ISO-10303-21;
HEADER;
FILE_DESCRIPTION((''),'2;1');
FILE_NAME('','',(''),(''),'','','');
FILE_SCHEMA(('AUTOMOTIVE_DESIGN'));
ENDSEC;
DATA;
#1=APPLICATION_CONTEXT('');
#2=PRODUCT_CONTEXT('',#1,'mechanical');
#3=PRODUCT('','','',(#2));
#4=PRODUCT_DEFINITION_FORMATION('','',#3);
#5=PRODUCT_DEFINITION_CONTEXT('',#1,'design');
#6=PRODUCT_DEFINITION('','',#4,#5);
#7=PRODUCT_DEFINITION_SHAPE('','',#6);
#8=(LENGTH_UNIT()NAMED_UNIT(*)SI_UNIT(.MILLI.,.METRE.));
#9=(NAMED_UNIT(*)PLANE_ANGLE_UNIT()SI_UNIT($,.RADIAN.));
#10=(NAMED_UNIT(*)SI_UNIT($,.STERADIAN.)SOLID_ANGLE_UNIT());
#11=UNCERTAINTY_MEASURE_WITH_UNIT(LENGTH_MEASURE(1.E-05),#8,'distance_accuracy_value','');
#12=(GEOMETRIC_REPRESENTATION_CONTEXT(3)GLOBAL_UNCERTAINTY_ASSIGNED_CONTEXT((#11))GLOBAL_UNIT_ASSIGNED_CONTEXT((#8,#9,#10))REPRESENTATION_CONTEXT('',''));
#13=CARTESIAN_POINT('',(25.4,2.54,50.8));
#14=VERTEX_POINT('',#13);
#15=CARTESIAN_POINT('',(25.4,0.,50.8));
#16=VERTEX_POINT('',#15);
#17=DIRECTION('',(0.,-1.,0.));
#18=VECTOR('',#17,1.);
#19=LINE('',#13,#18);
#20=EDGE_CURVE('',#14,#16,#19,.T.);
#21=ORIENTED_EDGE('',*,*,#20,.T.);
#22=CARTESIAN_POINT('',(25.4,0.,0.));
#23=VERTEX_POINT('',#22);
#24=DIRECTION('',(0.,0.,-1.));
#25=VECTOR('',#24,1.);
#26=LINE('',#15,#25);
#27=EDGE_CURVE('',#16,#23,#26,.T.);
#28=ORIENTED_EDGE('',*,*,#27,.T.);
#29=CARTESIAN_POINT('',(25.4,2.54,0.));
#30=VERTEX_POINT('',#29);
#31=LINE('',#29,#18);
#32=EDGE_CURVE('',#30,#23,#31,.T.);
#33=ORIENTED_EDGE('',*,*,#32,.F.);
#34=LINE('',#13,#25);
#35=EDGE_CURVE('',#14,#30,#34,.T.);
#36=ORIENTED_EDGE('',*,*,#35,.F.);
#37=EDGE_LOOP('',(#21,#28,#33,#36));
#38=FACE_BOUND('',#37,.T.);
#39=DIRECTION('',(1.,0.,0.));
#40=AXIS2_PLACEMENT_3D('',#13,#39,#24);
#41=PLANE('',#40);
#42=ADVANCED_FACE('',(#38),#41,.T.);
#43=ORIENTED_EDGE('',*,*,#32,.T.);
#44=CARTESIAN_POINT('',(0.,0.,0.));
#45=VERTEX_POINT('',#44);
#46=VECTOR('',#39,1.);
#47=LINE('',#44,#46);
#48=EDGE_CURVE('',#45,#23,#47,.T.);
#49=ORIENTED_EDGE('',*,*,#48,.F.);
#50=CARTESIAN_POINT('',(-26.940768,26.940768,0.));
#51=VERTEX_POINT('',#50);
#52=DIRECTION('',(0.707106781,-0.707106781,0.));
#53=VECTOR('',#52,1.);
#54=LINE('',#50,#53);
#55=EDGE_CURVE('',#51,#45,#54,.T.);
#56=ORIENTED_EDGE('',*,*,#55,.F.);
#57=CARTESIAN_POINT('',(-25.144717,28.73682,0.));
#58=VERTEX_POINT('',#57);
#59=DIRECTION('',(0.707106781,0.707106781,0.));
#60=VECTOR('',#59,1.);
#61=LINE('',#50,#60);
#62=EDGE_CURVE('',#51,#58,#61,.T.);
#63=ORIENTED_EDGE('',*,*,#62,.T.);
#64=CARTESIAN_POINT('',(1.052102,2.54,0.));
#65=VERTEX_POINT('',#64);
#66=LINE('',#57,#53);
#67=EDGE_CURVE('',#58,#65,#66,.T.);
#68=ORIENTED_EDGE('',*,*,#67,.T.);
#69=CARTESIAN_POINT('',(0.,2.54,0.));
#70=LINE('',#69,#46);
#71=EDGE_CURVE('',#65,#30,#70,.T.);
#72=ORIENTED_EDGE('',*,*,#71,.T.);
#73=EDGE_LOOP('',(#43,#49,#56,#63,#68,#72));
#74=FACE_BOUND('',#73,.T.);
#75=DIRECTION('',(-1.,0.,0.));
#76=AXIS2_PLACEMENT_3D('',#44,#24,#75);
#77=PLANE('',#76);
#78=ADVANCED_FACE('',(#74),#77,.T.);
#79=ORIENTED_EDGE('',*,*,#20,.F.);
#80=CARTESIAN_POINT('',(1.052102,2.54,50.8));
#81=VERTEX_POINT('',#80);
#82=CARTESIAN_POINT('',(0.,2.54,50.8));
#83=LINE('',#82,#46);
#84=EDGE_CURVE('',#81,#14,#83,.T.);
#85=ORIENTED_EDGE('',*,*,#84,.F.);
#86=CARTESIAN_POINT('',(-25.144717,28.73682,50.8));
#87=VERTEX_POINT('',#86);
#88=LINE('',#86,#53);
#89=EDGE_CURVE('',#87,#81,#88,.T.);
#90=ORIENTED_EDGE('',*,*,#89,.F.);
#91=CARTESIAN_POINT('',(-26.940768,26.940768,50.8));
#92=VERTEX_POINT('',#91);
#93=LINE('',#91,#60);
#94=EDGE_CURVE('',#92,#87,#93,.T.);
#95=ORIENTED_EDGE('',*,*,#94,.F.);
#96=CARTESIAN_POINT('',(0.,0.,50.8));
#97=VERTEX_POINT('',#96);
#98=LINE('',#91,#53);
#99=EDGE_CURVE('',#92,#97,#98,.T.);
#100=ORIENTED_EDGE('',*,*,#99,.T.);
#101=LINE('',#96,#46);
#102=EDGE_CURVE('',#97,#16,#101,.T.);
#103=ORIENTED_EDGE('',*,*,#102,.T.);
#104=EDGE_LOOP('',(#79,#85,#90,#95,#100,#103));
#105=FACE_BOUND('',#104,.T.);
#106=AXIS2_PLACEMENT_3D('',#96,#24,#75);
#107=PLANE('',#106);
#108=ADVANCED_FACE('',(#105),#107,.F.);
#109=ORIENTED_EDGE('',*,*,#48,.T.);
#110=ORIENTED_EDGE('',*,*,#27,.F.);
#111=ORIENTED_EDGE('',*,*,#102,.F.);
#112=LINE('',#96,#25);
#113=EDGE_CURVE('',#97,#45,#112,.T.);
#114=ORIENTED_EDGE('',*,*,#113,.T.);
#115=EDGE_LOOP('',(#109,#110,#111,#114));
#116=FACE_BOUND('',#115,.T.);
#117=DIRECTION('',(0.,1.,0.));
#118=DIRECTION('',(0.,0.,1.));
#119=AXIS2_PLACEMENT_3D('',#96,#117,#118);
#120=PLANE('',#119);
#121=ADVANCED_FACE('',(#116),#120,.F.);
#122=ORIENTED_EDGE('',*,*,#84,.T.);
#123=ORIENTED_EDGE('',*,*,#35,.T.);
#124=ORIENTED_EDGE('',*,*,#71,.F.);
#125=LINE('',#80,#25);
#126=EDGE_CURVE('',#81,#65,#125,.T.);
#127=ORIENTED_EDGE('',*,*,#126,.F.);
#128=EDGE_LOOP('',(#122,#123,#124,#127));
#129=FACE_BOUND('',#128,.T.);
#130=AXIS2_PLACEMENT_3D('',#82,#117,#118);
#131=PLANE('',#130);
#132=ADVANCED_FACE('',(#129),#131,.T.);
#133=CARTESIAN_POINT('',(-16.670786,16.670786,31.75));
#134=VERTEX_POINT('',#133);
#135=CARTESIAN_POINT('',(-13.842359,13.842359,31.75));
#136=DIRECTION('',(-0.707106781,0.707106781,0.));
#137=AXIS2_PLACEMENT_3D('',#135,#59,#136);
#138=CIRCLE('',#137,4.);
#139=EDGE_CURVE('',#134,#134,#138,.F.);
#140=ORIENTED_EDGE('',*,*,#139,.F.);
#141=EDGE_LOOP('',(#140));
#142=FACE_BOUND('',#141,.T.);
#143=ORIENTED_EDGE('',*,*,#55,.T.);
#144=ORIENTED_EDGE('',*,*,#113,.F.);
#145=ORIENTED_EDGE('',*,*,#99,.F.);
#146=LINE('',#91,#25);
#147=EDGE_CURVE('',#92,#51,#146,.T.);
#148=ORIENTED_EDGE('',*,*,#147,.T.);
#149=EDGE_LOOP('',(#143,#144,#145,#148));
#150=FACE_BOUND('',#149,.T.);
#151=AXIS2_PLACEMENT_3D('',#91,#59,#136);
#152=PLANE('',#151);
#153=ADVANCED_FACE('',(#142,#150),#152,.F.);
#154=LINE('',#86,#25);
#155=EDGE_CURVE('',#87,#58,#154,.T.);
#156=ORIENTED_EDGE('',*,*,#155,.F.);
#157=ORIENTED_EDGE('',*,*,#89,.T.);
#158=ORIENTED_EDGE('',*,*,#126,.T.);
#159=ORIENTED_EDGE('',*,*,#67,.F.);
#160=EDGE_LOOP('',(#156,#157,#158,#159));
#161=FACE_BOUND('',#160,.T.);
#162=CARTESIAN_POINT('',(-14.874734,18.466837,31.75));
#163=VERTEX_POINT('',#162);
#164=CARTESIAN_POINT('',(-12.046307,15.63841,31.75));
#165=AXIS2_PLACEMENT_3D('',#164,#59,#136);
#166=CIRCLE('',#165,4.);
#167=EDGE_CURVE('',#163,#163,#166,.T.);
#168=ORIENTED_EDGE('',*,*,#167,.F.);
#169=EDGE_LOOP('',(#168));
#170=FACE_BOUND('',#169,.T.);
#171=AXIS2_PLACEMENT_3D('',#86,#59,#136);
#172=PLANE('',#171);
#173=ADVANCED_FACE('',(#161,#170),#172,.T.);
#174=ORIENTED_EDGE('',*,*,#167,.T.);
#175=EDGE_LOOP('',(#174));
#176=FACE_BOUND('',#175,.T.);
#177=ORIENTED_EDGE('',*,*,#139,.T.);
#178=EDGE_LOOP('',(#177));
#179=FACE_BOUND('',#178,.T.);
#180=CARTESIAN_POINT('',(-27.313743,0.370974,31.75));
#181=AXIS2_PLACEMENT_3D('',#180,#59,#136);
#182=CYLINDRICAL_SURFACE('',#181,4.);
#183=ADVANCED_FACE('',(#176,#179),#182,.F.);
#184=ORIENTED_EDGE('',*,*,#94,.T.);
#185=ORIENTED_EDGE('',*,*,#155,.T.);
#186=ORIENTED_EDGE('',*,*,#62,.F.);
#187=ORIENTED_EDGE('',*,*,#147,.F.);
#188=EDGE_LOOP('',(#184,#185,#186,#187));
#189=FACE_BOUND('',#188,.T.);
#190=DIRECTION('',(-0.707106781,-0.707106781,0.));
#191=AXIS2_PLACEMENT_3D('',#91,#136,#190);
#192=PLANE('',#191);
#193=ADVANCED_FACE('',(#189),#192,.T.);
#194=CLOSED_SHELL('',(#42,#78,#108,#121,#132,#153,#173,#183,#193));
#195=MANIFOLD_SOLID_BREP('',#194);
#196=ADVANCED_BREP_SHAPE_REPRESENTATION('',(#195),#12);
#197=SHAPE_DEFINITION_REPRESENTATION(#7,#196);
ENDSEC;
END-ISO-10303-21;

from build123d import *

# Parameters (mm, degrees)
BASE_DEPTH      = 50.8
AXLE_HOLE_REACH = 23.59
SKETCH2_R       = 4


with BuildPart() as part:
    # Sketch1 → base (new body)
    with BuildSketch(Plane.XY):
        Polygon((-26.940768363, 26.940768363), (0, 0), (25.4, 0), (25.4, 2.54), (1.052102448, 2.54), (-25.144717139, 28.736819587), align=None)
    extrude(amount=BASE_DEPTH)

    # Sketch2 → axle hole (cut, up to next)
    with BuildSketch(Plane(origin=(1.796051224, 1.796051224, 0), x_dir=(0, 0, -1), z_dir=(0.707106781, 0.707106781, 0)), mode=Mode.PRIVATE) as axle_hole_sk1:
        with Locations((-31.75, 19.576051224)):
            Circle(SKETCH2_R)
    axle_hole_tool1 = extrude(axle_hole_sk1.sketch, amount=-AXLE_HOLE_REACH, mode=Mode.PRIVATE) & part.part
    add(axle_hole_tool1.solids().sort_by_distance((-12.046307, 15.63841, 31.75))[0], mode=Mode.SUBTRACT)


solid = part.part
